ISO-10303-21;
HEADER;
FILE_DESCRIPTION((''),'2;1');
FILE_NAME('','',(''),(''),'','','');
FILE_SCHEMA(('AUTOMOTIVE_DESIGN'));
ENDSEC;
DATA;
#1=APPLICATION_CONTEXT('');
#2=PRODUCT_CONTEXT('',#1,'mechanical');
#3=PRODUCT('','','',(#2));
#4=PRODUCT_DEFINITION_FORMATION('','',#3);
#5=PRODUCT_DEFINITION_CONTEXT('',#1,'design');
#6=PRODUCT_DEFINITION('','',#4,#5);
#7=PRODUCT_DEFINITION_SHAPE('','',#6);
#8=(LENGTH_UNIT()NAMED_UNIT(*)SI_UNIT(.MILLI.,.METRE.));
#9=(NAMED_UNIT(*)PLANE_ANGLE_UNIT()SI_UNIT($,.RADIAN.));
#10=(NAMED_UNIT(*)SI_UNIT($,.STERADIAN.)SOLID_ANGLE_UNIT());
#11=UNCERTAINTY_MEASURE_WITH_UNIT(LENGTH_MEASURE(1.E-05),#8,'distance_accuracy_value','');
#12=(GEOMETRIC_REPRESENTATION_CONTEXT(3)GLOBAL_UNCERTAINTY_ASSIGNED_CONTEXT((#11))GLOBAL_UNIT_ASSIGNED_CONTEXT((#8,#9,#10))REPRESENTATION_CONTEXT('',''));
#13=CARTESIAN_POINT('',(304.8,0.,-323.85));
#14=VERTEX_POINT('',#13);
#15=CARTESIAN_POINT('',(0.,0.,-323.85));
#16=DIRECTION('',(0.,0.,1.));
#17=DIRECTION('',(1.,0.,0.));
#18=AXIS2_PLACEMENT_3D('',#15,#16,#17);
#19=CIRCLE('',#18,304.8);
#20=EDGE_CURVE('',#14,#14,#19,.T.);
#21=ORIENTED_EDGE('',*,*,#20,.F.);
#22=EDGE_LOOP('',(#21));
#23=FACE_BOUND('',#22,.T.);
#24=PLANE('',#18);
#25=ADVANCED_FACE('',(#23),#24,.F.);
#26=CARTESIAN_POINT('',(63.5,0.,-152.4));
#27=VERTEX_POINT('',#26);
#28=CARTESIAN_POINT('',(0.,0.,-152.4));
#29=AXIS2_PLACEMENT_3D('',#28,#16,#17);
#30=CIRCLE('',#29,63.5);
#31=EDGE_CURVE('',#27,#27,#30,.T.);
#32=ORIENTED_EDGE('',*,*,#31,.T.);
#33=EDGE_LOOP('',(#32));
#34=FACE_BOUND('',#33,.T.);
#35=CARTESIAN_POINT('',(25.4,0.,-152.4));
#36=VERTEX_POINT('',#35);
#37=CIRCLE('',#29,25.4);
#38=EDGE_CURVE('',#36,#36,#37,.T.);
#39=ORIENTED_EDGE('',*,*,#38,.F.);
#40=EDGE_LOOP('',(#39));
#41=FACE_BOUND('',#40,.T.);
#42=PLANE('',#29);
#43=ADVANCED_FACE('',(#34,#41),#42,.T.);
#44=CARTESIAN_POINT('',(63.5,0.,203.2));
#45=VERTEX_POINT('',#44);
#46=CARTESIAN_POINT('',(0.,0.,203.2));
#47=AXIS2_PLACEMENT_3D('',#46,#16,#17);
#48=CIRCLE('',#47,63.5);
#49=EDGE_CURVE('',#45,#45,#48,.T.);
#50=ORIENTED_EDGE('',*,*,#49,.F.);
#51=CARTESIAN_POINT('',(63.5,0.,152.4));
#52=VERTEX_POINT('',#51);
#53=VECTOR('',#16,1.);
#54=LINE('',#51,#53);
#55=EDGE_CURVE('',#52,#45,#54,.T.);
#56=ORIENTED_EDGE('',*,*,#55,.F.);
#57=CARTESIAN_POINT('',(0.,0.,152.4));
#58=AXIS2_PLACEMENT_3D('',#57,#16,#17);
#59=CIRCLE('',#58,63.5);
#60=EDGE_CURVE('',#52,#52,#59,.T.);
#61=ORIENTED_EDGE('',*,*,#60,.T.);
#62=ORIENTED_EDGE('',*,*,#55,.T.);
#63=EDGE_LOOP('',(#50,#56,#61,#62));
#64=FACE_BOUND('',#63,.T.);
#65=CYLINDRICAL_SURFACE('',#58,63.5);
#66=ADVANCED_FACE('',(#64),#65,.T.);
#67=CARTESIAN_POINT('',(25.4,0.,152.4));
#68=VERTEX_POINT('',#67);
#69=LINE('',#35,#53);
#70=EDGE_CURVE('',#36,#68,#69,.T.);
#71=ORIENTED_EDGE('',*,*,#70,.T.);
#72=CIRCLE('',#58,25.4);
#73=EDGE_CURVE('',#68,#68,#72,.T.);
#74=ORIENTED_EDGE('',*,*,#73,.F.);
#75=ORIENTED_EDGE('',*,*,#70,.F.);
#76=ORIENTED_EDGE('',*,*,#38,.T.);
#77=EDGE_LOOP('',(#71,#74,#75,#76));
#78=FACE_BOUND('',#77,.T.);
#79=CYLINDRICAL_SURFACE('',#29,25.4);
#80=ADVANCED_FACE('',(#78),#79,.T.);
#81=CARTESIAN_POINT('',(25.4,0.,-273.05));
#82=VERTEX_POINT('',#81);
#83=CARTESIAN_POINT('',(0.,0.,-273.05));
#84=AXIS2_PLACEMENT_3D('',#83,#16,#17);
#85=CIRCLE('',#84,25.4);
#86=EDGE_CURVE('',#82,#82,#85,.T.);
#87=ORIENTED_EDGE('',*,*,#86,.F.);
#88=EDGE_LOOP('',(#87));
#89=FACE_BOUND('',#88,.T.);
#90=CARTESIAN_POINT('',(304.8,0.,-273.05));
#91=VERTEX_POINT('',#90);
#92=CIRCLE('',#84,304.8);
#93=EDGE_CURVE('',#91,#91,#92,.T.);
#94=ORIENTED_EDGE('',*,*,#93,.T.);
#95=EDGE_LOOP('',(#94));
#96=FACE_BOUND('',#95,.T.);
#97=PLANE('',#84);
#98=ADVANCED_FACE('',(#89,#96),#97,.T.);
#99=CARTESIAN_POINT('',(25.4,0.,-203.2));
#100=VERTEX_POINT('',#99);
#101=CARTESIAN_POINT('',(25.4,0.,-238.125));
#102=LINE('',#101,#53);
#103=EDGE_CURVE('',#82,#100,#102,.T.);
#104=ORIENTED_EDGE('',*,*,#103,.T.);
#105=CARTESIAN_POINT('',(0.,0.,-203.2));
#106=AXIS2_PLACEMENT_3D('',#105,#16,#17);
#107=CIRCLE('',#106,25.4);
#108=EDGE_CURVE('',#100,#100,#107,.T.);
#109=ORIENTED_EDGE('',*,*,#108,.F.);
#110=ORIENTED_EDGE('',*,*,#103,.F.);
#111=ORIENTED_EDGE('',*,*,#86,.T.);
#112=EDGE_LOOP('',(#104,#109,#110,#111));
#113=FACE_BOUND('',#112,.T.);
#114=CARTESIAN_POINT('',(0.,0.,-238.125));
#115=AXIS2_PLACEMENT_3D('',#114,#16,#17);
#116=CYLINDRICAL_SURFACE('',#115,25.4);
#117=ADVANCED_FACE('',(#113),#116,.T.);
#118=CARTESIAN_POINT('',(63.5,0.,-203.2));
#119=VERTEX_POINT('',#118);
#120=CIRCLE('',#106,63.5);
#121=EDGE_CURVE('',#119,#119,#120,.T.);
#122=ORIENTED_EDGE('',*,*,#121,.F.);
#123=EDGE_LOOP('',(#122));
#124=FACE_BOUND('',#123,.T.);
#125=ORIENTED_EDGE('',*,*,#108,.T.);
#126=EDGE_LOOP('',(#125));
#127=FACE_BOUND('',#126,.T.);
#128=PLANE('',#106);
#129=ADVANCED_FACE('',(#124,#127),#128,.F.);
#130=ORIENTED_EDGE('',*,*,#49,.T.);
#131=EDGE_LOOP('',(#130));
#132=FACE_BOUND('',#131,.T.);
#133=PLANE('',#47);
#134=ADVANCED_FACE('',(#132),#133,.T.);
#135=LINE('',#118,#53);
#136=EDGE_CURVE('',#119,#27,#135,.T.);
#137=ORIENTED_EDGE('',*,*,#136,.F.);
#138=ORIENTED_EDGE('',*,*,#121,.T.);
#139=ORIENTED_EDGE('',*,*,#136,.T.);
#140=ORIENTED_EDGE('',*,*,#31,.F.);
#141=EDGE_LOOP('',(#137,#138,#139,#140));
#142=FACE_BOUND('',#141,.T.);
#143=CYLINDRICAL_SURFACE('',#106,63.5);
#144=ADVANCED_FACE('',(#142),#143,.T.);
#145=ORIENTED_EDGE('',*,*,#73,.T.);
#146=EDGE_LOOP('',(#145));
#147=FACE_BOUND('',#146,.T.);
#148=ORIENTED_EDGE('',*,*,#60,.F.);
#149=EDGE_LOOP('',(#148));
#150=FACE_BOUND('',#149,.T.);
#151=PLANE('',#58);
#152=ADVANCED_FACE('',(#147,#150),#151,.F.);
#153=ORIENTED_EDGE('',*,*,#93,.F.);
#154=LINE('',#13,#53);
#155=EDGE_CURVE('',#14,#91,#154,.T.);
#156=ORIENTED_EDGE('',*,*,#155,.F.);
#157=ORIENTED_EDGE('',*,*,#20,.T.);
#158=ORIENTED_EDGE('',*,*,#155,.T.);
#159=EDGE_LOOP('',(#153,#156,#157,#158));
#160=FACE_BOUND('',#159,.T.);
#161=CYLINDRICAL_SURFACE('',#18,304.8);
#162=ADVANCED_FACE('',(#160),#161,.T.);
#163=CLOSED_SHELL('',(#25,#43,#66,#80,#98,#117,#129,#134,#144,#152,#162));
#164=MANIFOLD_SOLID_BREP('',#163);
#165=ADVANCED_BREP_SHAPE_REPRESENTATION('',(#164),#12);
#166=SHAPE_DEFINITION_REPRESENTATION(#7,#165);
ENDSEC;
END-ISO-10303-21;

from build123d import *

# Parameters (mm, degrees)
F0_W = 25.4
F0_H = 69.85


with BuildPart() as f1:
    # F0 (on Front) → F1 (revolve)
    with BuildSketch(Plane.XZ):
        Polygon((63.5, -152.4), (25.4, -152.4), (25.4, -88.9), (25.4, -76.2), (25.4, 152.4), (63.5, 152.4), (63.5, 203.2), (0, 203.2), (0, 152.4), (0, -152.4), (0, -203.2), (25.4, -203.2), (63.5, -203.2), align=None)
        with Locations((12.7, -238.125)):
            Rectangle(F0_W, F0_H)
        Polygon((304.8, -273.05), (25.4, -273.05), (0, -273.05), (0, -323.85), (304.8, -323.85), align=None)
    revolve(axis=Axis((0, 0, 0), (0, 0, 1)))


solid = f1.part
